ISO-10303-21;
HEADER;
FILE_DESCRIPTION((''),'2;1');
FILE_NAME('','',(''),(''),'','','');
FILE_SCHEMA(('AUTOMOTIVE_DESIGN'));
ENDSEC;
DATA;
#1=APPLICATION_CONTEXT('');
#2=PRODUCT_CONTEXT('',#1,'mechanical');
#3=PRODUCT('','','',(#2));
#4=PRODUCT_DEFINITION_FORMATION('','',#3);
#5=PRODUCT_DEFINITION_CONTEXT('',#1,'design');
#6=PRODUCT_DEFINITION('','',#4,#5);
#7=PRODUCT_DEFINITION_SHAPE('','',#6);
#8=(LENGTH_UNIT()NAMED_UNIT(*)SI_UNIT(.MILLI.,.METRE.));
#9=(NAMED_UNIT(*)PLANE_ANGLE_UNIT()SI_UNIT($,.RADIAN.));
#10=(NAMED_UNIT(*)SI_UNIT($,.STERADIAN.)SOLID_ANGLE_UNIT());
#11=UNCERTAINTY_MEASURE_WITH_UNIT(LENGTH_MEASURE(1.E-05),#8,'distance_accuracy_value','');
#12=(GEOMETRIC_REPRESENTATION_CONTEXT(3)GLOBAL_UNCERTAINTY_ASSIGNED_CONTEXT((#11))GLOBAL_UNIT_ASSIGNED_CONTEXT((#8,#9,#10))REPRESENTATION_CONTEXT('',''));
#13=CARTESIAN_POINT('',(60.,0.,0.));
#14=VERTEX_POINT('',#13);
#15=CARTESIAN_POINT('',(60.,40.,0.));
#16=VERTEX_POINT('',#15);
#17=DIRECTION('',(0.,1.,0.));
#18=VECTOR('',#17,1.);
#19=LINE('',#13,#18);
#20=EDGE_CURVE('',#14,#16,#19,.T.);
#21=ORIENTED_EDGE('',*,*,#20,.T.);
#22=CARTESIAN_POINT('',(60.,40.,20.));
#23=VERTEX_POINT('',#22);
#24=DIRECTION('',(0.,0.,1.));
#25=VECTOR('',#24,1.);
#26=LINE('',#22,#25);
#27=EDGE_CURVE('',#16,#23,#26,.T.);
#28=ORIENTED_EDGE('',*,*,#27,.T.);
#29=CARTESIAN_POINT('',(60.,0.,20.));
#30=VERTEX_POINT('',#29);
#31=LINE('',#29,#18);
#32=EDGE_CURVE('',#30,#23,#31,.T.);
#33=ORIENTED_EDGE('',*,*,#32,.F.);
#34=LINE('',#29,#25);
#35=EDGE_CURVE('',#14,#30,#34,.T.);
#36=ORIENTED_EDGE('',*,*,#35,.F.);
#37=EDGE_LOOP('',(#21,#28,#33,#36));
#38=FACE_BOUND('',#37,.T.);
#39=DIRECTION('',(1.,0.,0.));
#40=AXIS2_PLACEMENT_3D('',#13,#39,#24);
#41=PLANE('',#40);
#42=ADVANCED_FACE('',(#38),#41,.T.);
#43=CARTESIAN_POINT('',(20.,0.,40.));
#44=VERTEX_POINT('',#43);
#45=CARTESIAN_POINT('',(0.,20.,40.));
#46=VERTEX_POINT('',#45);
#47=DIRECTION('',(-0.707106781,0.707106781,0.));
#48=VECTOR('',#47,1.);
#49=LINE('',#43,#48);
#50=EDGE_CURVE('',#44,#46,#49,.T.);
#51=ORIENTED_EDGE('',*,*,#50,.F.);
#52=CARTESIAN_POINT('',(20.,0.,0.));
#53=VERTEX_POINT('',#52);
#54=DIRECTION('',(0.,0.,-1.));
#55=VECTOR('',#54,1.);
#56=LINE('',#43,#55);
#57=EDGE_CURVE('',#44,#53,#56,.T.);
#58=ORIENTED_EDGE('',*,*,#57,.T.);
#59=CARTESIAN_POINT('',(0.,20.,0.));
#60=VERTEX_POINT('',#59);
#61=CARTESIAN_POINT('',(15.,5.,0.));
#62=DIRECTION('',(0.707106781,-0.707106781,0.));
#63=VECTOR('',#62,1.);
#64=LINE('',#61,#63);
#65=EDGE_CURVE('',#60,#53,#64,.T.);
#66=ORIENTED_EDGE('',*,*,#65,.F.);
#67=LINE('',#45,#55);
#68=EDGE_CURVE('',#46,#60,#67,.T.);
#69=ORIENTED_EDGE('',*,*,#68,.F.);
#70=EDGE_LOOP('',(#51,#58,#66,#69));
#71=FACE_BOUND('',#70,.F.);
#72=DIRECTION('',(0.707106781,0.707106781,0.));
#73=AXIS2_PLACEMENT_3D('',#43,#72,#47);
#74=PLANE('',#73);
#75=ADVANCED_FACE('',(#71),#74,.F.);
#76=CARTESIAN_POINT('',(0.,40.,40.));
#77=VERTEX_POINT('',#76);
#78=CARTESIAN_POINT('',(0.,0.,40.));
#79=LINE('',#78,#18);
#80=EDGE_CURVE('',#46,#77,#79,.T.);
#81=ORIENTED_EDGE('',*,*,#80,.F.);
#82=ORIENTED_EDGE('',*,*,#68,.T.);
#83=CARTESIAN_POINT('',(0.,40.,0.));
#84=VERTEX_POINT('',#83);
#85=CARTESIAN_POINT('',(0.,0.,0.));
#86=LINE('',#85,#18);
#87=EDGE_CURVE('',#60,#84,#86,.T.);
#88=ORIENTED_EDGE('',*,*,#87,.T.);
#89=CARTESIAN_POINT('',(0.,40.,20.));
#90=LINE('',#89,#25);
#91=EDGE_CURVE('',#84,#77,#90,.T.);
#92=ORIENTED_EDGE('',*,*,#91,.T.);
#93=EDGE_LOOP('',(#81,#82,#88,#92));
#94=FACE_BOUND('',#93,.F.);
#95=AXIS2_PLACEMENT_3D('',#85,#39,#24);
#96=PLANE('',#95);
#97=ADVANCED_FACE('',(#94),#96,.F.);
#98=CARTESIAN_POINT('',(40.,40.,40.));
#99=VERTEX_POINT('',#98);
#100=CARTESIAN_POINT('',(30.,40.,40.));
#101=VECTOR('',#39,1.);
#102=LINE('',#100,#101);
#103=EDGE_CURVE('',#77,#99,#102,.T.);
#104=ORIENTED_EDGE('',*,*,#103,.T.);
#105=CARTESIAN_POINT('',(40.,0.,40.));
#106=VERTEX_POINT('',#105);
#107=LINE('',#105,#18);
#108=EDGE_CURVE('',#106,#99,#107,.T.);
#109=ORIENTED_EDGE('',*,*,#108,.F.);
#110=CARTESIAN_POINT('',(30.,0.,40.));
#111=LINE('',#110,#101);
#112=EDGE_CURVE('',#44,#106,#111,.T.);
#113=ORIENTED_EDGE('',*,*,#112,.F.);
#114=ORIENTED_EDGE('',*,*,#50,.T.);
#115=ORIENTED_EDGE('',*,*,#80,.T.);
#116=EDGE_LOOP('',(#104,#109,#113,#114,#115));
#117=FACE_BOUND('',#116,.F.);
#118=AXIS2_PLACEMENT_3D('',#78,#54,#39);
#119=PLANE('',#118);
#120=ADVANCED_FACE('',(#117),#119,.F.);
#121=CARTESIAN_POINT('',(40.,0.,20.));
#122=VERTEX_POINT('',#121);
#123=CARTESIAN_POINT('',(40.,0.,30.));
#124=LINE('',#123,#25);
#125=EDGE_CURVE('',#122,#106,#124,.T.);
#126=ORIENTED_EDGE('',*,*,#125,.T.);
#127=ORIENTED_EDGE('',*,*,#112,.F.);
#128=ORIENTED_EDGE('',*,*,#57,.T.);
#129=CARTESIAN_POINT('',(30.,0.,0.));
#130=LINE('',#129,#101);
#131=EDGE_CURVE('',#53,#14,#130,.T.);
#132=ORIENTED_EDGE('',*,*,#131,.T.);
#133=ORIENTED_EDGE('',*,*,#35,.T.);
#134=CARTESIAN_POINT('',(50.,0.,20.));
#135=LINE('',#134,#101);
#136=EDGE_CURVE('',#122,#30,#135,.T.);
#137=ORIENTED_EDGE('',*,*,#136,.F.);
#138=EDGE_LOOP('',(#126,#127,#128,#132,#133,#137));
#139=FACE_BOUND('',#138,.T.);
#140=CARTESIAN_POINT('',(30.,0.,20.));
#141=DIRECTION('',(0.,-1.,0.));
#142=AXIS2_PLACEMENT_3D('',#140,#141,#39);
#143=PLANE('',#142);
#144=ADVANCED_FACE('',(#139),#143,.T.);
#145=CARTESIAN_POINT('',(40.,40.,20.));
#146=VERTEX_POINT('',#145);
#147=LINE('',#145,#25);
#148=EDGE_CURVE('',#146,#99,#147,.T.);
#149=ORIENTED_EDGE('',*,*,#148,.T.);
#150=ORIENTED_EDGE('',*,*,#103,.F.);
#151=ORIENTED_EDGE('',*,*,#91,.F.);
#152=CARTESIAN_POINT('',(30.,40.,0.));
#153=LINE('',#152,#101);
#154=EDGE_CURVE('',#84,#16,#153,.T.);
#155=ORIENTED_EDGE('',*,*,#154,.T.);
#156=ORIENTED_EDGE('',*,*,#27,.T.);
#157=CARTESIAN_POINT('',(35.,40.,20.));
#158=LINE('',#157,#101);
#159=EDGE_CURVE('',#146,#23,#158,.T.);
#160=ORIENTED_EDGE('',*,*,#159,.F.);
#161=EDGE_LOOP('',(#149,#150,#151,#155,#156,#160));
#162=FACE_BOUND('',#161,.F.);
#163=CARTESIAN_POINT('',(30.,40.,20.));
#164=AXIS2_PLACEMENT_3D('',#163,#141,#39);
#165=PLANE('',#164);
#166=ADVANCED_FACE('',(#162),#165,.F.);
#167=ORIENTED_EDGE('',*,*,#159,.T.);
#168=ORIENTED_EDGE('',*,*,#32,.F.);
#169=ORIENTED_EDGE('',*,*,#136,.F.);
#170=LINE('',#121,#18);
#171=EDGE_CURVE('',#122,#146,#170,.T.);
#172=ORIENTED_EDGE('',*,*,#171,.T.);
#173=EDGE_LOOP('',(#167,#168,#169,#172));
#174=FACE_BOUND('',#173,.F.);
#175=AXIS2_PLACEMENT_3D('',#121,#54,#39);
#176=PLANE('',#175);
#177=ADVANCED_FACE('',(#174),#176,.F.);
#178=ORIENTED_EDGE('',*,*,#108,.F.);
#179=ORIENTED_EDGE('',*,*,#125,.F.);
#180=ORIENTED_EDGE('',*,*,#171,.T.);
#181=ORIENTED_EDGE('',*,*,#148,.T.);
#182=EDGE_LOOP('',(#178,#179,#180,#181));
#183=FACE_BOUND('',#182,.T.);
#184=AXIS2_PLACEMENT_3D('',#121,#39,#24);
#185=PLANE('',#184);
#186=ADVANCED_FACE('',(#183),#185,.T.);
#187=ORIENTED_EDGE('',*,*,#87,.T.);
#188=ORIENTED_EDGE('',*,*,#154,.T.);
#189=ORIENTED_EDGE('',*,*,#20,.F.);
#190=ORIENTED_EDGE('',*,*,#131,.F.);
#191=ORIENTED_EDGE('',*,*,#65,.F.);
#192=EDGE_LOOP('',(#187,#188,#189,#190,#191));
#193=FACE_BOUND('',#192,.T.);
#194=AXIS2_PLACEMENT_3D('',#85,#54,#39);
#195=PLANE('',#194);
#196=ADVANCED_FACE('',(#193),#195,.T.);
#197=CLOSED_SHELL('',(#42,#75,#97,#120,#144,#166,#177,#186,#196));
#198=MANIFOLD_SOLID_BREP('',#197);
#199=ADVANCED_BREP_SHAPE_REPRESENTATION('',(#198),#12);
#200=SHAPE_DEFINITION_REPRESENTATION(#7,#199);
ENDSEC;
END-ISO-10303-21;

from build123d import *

# Parameters (mm, degrees)
F0_W     = 60
F0_H     = 40
F1_DEPTH = 40
F2_W     = 20
F2_H     = 20
F3_DEPTH = 40.001
F5_DEPTH = 40.001


with BuildPart() as f1:
    # F0 (on Front) → F1 (new body)
    with BuildSketch(Plane.XZ):
        with Locations((30, 20)):
            Rectangle(F0_W, F0_H)
    extrude(amount=-F1_DEPTH)

    # F2 (on face) → F3 (cut, through all)
    with BuildSketch(Plane.XZ):
        with Locations((50, 30)):
            Rectangle(F2_W, F2_H)
    extrude(amount=-F3_DEPTH, mode=Mode.SUBTRACT)

    # F4 (on face) → F5 (cut, through all)
    with BuildSketch(Plane.XY.offset(40)):
        Polygon((20, 0), (0, 20), (0, 0), align=None)
    extrude(amount=-F5_DEPTH, mode=Mode.SUBTRACT)


solid = f1.part
